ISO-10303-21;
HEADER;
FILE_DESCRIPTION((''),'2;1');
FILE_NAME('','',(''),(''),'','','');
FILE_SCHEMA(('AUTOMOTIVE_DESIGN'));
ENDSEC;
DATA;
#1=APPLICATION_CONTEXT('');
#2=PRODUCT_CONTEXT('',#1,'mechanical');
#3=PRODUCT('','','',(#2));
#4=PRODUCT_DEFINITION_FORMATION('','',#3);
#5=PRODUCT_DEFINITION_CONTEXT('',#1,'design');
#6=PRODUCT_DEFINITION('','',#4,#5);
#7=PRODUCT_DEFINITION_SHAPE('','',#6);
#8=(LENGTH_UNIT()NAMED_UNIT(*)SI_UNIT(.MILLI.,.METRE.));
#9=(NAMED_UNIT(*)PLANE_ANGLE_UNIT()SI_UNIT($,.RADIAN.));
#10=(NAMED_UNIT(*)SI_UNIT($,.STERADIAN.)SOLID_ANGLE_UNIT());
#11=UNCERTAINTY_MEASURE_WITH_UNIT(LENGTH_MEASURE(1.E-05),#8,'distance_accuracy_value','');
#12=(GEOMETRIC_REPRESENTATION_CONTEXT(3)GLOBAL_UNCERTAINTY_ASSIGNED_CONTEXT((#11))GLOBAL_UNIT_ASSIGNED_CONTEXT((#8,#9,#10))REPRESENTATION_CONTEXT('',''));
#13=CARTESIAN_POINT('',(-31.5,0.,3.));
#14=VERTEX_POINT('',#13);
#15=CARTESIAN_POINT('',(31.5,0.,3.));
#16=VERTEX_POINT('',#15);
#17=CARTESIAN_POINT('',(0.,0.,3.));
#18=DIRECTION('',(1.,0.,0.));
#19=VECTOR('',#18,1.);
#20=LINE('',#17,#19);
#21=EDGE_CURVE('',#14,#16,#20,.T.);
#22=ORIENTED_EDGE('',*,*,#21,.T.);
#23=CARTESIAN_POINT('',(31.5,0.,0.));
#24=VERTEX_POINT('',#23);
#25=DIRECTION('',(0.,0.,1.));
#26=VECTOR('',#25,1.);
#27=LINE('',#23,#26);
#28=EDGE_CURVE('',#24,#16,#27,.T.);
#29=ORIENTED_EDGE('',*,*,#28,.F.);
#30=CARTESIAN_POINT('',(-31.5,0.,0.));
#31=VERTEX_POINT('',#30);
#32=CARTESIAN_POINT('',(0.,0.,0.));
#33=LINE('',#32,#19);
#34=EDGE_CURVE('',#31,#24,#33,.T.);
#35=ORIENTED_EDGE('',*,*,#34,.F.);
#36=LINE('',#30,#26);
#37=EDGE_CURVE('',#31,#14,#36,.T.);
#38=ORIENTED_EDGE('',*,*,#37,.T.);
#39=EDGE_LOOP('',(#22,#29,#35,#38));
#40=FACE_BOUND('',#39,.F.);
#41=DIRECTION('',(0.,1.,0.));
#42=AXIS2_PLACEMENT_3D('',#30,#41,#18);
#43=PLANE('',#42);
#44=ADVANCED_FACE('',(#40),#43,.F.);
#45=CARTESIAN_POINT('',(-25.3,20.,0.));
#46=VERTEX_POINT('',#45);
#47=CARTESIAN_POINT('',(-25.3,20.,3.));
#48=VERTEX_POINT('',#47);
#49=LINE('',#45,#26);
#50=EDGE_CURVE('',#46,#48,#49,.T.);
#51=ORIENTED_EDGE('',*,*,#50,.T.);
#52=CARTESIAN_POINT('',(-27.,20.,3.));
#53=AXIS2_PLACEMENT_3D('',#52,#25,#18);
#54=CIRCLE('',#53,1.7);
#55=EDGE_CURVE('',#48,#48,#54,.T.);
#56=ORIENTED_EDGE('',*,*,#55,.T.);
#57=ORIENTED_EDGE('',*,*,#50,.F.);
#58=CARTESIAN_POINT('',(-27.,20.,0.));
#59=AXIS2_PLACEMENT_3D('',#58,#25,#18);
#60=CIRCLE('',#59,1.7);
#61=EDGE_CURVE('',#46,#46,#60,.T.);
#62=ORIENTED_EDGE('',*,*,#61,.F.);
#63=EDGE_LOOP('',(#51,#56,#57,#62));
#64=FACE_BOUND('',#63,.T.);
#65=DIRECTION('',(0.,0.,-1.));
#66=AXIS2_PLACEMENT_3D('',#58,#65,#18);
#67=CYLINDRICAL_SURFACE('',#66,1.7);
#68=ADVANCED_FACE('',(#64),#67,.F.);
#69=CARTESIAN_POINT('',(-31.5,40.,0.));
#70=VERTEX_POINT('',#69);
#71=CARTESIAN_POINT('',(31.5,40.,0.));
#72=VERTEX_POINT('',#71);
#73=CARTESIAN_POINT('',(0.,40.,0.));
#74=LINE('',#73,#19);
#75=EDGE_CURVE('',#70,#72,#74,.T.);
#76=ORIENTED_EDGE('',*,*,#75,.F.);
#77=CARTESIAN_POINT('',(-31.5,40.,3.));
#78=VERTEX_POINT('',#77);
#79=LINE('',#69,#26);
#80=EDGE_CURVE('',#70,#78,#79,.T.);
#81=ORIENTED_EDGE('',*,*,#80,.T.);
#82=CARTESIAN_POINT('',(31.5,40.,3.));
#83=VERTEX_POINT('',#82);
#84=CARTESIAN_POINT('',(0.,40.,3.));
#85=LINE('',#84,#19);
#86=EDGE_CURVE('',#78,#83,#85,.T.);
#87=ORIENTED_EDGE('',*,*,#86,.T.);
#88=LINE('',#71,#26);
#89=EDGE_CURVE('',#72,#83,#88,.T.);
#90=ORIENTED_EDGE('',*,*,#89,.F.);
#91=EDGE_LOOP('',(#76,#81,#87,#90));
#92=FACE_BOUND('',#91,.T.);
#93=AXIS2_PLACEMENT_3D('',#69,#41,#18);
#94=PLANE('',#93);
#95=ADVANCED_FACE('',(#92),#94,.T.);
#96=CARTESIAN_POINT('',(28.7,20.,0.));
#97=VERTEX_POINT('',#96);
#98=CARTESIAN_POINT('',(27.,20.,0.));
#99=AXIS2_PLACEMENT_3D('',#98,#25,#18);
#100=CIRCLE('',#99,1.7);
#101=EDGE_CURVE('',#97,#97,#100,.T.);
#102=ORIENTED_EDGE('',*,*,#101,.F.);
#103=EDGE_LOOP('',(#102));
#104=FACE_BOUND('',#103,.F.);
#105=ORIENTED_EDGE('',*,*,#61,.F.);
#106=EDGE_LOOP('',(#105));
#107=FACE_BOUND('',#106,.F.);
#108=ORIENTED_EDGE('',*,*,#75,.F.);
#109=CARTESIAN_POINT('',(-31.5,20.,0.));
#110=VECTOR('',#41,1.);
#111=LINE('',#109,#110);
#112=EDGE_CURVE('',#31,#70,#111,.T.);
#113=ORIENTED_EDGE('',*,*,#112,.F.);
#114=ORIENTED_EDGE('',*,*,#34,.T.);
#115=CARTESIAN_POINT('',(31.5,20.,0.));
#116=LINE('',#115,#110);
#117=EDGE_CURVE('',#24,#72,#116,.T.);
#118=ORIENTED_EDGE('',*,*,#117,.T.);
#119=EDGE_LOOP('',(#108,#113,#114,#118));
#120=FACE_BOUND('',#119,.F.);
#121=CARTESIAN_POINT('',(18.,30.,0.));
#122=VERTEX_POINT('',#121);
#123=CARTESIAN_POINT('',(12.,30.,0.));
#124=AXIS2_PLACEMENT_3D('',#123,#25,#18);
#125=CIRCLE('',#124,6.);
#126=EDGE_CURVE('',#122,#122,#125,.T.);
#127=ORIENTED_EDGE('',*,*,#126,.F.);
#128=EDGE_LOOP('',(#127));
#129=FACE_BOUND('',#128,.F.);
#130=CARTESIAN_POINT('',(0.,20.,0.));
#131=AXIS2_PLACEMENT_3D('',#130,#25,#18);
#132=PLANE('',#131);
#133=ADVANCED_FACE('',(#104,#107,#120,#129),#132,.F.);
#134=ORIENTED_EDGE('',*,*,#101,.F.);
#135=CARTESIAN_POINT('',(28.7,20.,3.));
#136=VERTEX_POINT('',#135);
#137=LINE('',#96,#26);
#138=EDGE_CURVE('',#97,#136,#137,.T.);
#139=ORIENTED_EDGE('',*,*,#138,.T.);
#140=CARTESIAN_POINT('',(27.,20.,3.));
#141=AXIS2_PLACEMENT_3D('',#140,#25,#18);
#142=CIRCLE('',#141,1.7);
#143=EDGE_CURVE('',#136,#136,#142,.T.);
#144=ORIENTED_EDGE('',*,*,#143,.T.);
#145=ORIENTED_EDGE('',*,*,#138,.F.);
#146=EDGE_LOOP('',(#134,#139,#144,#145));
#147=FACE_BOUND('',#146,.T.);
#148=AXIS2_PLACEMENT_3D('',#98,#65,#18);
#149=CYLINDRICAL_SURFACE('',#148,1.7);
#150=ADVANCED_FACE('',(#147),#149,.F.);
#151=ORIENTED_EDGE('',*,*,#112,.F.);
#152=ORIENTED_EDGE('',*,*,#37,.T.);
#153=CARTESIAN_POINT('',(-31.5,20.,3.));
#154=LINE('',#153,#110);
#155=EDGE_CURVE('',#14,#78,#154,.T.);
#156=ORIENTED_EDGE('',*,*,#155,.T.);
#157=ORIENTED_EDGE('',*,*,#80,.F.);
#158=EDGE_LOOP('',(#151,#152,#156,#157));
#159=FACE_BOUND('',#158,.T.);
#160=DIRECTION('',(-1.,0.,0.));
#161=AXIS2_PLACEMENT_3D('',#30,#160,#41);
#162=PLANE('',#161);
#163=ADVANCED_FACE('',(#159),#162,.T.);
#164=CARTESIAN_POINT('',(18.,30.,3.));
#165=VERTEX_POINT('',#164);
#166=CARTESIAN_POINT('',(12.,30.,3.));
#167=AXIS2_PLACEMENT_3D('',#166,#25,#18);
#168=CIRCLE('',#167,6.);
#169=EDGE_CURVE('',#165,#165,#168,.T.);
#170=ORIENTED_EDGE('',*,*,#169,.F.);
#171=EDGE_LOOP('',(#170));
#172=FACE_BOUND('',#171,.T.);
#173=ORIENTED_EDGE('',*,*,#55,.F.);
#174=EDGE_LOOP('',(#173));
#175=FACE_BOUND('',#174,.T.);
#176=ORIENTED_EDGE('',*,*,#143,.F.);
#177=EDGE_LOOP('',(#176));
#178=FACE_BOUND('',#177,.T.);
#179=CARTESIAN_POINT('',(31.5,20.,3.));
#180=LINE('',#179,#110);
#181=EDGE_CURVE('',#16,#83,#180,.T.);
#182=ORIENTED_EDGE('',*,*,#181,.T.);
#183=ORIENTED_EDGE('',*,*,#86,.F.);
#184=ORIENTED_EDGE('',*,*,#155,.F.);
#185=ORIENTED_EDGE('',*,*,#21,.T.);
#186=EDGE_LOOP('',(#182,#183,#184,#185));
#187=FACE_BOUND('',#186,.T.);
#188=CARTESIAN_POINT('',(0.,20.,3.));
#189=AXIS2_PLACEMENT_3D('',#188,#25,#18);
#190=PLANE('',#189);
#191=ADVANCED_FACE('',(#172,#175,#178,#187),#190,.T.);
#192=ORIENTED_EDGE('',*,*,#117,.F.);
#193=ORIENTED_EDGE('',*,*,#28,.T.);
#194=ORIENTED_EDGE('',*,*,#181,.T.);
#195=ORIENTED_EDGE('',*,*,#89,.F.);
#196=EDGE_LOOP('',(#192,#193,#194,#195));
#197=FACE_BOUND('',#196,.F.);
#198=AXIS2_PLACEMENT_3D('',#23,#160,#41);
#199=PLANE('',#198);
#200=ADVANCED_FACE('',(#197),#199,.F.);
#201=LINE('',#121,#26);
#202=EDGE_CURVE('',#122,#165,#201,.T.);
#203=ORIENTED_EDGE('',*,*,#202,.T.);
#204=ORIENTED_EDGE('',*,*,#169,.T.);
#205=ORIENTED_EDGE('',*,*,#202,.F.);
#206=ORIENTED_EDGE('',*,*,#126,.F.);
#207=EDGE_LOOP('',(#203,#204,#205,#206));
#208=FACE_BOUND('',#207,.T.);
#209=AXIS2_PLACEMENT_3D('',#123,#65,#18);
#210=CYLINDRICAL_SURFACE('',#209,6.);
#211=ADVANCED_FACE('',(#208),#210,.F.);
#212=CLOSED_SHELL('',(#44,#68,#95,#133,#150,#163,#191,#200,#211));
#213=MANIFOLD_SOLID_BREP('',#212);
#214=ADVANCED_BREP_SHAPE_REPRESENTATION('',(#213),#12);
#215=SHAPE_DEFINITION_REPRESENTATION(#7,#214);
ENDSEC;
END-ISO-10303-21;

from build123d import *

# Parameters (mm, degrees)
SKETCH_W   = 63
SKETCH_H   = 40
SKETCH_R   = 1.7
SKETCH_R_2 = 6
PAD_DEPTH  = 3


with BuildPart() as part:
    # Sketch → Pad (new body)
    with BuildSketch(Plane.XY):
        with Locations((0, 20)):
            Rectangle(SKETCH_W, SKETCH_H)
        with Locations((-27, 20)):
            Circle(SKETCH_R, mode=Mode.SUBTRACT)
        with Locations((27, 20)):
            Circle(SKETCH_R, mode=Mode.SUBTRACT)
        with Locations((12, 30)):
            Circle(SKETCH_R_2, mode=Mode.SUBTRACT)
    extrude(amount=PAD_DEPTH)


solid = part.part
